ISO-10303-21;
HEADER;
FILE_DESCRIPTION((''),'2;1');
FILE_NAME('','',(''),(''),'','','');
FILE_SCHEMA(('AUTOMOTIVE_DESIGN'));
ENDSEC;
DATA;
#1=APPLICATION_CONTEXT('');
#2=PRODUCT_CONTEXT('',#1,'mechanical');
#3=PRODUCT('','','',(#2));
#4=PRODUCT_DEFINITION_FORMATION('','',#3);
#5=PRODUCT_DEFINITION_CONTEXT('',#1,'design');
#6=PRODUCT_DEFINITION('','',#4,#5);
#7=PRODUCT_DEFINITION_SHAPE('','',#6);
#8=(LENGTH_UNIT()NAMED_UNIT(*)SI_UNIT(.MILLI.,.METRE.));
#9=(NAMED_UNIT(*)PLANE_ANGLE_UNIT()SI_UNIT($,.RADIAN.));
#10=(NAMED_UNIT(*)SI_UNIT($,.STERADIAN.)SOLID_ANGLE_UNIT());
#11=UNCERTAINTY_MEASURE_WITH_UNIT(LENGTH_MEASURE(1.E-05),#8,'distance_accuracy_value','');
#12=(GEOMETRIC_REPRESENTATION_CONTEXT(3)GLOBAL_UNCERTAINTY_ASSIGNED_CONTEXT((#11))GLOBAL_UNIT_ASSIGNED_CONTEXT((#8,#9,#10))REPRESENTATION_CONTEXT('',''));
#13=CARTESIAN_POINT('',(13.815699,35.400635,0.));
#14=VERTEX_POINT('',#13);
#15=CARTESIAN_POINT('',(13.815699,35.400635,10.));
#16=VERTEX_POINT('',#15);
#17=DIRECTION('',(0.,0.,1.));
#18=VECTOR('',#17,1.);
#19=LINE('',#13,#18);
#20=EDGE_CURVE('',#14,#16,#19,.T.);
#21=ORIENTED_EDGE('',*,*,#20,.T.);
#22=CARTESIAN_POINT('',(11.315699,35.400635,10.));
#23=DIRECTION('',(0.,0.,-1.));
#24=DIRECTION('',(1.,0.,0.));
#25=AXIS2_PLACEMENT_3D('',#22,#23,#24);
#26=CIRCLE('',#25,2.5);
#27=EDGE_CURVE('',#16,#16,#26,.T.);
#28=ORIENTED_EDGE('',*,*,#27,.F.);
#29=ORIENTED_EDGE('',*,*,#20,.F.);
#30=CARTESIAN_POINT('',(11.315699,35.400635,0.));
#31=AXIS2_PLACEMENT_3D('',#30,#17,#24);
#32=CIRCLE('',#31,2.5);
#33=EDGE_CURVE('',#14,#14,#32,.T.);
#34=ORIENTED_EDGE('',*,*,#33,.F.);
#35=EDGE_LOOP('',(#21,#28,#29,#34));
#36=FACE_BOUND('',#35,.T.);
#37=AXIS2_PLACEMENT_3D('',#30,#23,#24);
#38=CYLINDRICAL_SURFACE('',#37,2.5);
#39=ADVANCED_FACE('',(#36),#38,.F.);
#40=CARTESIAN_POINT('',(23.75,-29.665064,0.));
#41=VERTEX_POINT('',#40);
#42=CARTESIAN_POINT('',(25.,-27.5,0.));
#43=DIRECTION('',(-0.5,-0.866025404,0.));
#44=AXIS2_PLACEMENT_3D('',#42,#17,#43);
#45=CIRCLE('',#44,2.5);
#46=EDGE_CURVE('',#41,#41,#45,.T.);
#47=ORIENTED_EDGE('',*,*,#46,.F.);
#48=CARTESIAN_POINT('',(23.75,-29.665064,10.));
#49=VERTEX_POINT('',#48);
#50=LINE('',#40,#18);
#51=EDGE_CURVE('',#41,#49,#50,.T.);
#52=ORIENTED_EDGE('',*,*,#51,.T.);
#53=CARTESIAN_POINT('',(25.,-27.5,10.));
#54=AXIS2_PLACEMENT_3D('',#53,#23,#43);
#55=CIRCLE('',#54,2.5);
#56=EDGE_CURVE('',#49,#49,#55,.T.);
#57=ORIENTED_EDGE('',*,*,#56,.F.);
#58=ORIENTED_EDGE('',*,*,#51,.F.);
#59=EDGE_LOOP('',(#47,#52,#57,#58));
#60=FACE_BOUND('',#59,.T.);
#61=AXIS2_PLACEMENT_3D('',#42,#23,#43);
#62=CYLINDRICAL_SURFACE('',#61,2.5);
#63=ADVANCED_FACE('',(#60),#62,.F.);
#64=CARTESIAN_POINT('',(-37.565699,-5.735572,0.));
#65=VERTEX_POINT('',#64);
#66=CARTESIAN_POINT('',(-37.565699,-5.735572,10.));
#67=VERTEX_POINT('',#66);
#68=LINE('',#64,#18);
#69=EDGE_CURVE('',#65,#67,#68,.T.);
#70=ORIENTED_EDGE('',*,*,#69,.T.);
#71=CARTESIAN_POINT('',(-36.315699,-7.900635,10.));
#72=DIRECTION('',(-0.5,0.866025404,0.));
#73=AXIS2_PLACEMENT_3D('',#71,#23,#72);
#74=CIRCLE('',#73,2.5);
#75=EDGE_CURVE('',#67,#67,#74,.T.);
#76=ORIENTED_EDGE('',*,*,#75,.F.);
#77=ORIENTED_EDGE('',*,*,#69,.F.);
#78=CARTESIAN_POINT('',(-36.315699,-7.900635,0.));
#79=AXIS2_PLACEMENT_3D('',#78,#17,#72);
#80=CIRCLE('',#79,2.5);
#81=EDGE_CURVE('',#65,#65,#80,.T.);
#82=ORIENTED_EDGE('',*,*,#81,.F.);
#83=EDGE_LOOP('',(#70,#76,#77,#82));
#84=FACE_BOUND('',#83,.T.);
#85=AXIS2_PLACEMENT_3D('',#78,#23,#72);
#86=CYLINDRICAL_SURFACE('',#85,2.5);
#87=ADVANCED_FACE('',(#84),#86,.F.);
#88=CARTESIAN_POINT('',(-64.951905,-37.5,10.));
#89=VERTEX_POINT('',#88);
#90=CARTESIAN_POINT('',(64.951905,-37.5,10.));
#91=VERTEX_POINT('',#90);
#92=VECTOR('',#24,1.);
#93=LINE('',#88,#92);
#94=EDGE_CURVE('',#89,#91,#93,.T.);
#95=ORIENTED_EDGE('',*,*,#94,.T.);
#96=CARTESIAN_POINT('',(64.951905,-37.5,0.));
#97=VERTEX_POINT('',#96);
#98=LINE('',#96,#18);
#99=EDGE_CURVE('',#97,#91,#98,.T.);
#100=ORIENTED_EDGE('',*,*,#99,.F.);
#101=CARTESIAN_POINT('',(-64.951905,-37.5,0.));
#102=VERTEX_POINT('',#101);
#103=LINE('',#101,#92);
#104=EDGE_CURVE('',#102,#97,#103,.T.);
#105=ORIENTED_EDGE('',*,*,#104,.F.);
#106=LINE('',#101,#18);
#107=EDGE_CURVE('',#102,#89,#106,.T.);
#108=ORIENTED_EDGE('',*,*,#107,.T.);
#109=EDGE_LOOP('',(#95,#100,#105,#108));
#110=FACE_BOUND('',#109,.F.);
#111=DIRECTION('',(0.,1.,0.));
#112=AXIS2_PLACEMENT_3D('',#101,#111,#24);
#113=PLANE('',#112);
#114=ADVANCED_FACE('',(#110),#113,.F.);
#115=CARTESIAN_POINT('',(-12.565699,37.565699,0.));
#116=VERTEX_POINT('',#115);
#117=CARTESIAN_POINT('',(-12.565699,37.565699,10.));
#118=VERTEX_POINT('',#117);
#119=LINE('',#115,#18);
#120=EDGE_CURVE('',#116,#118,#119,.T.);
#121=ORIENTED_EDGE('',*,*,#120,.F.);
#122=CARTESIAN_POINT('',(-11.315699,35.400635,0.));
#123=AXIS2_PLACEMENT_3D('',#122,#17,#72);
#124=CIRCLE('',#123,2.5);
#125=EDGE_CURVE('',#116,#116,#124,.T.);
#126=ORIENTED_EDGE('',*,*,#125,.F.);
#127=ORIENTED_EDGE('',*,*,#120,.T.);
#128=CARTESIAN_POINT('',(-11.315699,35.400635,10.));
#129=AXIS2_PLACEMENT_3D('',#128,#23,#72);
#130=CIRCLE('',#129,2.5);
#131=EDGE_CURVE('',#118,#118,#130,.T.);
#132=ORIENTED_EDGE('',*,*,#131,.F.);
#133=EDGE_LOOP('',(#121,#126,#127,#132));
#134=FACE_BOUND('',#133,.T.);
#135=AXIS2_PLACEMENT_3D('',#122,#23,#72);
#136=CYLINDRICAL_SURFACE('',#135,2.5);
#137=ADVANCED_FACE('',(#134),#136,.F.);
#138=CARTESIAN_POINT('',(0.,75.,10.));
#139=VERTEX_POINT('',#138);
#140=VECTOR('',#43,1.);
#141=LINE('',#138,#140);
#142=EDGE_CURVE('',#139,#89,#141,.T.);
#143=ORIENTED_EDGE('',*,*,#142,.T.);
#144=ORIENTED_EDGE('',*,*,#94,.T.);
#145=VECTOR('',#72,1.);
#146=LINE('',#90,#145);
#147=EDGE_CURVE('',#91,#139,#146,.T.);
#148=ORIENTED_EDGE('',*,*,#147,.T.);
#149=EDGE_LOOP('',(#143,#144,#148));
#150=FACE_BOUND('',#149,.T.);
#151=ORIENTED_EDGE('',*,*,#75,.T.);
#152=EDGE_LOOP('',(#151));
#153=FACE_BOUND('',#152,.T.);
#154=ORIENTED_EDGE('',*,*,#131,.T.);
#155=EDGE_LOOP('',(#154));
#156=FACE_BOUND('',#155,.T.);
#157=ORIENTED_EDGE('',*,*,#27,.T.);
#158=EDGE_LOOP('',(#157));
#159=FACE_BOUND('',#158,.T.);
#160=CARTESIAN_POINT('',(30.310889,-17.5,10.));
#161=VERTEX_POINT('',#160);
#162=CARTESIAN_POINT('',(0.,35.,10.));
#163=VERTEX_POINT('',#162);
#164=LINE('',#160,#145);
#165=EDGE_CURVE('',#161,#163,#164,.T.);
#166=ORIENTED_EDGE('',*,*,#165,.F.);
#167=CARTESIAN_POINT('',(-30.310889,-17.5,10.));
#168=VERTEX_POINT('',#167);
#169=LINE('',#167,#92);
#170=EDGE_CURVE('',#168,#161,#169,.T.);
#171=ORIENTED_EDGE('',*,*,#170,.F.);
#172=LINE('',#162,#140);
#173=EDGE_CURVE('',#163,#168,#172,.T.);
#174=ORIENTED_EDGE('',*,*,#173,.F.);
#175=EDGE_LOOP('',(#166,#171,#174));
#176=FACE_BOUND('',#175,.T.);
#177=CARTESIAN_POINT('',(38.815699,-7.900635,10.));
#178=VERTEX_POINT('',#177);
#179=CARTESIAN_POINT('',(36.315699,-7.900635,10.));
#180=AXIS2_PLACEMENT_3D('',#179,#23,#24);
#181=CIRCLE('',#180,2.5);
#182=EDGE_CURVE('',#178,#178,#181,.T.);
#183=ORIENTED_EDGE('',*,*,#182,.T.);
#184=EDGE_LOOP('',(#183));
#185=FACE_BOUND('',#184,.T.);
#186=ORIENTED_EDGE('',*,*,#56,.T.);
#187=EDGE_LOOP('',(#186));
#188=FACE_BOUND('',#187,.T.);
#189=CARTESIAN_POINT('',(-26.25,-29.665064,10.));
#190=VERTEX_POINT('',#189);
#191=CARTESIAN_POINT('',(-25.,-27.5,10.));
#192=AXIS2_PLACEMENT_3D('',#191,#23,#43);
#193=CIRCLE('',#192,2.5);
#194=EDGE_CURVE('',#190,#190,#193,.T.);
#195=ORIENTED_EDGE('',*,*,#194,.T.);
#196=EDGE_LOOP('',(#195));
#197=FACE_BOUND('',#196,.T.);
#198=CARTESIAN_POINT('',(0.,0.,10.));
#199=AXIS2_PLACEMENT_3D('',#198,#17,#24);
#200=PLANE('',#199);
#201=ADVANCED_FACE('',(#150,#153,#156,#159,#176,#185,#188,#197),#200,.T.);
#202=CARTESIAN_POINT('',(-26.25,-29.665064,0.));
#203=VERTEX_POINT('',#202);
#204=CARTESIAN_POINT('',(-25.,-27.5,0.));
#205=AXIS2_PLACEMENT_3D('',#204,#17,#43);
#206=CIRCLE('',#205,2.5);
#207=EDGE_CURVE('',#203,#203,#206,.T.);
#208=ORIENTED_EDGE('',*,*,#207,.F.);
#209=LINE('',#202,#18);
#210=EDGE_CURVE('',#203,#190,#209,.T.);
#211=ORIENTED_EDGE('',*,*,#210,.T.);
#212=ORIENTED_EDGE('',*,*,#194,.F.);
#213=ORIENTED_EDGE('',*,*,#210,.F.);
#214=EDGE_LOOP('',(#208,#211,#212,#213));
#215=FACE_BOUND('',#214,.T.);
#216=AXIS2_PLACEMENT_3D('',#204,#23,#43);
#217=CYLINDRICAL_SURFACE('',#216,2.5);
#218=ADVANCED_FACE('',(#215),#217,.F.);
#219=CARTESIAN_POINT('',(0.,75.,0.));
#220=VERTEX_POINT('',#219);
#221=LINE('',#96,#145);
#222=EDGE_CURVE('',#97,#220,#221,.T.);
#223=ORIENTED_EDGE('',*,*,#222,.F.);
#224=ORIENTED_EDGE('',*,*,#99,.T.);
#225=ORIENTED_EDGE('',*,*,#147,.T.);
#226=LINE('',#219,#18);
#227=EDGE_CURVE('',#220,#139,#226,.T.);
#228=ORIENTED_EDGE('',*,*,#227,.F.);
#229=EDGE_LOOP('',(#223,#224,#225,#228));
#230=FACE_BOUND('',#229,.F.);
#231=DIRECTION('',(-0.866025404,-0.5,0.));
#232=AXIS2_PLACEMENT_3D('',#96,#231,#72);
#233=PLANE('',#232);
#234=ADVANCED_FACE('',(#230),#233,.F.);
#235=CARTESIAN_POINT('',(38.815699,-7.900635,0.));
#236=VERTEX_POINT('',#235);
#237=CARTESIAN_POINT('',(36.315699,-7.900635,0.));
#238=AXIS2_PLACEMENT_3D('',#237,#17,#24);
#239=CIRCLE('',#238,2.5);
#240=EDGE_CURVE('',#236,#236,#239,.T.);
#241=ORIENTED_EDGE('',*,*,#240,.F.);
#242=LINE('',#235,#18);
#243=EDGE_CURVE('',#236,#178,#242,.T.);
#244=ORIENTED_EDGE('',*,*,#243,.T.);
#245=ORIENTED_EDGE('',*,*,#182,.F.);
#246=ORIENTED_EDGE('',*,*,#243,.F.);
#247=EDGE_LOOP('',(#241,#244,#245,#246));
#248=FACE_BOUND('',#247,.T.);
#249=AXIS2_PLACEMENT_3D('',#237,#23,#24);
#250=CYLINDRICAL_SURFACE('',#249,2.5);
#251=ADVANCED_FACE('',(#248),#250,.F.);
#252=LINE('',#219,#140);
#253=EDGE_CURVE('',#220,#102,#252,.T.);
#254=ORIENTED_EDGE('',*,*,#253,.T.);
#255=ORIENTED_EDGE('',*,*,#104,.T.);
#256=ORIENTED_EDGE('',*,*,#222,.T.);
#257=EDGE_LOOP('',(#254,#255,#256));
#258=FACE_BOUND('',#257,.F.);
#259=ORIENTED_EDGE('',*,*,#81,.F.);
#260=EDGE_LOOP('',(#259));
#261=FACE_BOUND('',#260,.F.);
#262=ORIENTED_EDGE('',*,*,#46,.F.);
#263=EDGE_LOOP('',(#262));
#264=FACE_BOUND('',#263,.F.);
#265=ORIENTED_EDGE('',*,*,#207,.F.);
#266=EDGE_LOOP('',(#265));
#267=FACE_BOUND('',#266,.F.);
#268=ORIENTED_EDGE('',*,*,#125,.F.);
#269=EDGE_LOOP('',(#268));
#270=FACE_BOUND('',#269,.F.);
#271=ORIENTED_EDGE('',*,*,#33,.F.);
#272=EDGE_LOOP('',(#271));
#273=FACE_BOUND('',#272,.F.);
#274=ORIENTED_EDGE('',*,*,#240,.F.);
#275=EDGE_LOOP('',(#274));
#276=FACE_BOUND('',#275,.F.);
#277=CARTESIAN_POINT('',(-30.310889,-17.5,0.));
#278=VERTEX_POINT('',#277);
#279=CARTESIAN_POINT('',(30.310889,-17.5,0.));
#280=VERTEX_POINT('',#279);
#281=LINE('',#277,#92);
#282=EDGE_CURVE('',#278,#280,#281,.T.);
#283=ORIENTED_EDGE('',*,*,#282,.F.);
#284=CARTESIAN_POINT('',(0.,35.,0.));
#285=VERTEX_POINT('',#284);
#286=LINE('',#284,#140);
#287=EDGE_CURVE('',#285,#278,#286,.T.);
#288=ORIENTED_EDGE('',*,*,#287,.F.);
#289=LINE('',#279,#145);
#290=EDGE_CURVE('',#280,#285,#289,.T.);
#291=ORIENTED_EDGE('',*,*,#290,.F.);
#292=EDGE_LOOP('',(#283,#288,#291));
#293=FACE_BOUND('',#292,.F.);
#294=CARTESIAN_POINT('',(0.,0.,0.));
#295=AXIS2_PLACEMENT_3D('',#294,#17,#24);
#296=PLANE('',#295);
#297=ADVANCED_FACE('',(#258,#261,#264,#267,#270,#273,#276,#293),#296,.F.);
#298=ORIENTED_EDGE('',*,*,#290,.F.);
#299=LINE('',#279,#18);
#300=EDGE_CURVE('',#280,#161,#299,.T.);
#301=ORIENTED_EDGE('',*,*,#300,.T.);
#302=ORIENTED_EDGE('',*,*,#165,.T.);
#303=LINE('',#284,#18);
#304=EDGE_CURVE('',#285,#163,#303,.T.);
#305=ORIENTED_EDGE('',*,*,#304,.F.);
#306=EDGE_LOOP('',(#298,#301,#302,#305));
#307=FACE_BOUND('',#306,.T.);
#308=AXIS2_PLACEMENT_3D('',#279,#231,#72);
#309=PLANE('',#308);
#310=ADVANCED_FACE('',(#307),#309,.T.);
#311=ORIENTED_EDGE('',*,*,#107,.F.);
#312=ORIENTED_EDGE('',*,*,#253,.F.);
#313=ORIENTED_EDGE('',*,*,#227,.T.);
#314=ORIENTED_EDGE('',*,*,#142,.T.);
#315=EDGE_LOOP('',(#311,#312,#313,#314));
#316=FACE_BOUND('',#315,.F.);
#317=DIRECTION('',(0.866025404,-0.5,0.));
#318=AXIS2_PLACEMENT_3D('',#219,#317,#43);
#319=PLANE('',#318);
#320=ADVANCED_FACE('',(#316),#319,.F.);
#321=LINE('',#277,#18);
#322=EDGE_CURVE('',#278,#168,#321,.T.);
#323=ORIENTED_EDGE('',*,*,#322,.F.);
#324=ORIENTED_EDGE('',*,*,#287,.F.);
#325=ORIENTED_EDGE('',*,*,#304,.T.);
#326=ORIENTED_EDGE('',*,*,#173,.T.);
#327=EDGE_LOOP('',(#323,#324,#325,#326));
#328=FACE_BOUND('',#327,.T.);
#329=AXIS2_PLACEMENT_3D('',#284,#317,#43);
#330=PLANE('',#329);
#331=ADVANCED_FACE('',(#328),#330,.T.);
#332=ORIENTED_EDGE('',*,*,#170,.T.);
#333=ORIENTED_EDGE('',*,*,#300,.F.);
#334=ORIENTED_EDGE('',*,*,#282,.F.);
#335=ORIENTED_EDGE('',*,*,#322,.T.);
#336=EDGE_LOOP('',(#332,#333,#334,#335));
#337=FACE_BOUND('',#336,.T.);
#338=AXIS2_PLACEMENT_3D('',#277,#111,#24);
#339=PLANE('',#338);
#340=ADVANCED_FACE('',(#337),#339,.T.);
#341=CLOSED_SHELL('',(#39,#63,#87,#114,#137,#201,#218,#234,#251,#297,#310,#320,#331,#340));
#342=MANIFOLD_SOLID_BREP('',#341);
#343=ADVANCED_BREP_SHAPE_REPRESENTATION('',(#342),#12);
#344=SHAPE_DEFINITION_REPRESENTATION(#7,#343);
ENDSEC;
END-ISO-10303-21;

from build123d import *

# Parameters (mm, degrees)
PAD007_DEPTH       = 10
SKETCH012_R        = 2.5
POCKET003_DEPTH    = 354.275599702
POLARPATTERN_COUNT = 3


with BuildPart() as part:
    # Sketch011 → Pad007 (new body)
    with BuildSketch(Plane.XY):
        Polygon((0, 75), (-64.9519052838, -37.5), (64.9519052838, -37.5), align=None)
        Polygon((0, 35), (-30.3108891325, -17.5), (30.3108891325, -17.5), align=None, mode=Mode.SUBTRACT)
    extrude(amount=PAD007_DEPTH)

    # Sketch012 → Pocket003 (cut, through all)
    with BuildSketch(Plane.XY):
        with Locations((11.3156986041, 35.4006350946)):
            Circle(SKETCH012_R)
        with Locations((36.3156986041, -7.9006350946)):
            Circle(SKETCH012_R)
    pocket003 = extrude(amount=POCKET003_DEPTH, mode=Mode.SUBTRACT)

    # PolarPattern: Pocket003 ×3 about axis
    polarpattern_axis = Axis((0, 0, 0), (0, 0, 1))
    for i in range(1, POLARPATTERN_COUNT):
        add(pocket003.rotate(polarpattern_axis, i * 360 / POLARPATTERN_COUNT), mode=Mode.SUBTRACT)


solid = part.part
